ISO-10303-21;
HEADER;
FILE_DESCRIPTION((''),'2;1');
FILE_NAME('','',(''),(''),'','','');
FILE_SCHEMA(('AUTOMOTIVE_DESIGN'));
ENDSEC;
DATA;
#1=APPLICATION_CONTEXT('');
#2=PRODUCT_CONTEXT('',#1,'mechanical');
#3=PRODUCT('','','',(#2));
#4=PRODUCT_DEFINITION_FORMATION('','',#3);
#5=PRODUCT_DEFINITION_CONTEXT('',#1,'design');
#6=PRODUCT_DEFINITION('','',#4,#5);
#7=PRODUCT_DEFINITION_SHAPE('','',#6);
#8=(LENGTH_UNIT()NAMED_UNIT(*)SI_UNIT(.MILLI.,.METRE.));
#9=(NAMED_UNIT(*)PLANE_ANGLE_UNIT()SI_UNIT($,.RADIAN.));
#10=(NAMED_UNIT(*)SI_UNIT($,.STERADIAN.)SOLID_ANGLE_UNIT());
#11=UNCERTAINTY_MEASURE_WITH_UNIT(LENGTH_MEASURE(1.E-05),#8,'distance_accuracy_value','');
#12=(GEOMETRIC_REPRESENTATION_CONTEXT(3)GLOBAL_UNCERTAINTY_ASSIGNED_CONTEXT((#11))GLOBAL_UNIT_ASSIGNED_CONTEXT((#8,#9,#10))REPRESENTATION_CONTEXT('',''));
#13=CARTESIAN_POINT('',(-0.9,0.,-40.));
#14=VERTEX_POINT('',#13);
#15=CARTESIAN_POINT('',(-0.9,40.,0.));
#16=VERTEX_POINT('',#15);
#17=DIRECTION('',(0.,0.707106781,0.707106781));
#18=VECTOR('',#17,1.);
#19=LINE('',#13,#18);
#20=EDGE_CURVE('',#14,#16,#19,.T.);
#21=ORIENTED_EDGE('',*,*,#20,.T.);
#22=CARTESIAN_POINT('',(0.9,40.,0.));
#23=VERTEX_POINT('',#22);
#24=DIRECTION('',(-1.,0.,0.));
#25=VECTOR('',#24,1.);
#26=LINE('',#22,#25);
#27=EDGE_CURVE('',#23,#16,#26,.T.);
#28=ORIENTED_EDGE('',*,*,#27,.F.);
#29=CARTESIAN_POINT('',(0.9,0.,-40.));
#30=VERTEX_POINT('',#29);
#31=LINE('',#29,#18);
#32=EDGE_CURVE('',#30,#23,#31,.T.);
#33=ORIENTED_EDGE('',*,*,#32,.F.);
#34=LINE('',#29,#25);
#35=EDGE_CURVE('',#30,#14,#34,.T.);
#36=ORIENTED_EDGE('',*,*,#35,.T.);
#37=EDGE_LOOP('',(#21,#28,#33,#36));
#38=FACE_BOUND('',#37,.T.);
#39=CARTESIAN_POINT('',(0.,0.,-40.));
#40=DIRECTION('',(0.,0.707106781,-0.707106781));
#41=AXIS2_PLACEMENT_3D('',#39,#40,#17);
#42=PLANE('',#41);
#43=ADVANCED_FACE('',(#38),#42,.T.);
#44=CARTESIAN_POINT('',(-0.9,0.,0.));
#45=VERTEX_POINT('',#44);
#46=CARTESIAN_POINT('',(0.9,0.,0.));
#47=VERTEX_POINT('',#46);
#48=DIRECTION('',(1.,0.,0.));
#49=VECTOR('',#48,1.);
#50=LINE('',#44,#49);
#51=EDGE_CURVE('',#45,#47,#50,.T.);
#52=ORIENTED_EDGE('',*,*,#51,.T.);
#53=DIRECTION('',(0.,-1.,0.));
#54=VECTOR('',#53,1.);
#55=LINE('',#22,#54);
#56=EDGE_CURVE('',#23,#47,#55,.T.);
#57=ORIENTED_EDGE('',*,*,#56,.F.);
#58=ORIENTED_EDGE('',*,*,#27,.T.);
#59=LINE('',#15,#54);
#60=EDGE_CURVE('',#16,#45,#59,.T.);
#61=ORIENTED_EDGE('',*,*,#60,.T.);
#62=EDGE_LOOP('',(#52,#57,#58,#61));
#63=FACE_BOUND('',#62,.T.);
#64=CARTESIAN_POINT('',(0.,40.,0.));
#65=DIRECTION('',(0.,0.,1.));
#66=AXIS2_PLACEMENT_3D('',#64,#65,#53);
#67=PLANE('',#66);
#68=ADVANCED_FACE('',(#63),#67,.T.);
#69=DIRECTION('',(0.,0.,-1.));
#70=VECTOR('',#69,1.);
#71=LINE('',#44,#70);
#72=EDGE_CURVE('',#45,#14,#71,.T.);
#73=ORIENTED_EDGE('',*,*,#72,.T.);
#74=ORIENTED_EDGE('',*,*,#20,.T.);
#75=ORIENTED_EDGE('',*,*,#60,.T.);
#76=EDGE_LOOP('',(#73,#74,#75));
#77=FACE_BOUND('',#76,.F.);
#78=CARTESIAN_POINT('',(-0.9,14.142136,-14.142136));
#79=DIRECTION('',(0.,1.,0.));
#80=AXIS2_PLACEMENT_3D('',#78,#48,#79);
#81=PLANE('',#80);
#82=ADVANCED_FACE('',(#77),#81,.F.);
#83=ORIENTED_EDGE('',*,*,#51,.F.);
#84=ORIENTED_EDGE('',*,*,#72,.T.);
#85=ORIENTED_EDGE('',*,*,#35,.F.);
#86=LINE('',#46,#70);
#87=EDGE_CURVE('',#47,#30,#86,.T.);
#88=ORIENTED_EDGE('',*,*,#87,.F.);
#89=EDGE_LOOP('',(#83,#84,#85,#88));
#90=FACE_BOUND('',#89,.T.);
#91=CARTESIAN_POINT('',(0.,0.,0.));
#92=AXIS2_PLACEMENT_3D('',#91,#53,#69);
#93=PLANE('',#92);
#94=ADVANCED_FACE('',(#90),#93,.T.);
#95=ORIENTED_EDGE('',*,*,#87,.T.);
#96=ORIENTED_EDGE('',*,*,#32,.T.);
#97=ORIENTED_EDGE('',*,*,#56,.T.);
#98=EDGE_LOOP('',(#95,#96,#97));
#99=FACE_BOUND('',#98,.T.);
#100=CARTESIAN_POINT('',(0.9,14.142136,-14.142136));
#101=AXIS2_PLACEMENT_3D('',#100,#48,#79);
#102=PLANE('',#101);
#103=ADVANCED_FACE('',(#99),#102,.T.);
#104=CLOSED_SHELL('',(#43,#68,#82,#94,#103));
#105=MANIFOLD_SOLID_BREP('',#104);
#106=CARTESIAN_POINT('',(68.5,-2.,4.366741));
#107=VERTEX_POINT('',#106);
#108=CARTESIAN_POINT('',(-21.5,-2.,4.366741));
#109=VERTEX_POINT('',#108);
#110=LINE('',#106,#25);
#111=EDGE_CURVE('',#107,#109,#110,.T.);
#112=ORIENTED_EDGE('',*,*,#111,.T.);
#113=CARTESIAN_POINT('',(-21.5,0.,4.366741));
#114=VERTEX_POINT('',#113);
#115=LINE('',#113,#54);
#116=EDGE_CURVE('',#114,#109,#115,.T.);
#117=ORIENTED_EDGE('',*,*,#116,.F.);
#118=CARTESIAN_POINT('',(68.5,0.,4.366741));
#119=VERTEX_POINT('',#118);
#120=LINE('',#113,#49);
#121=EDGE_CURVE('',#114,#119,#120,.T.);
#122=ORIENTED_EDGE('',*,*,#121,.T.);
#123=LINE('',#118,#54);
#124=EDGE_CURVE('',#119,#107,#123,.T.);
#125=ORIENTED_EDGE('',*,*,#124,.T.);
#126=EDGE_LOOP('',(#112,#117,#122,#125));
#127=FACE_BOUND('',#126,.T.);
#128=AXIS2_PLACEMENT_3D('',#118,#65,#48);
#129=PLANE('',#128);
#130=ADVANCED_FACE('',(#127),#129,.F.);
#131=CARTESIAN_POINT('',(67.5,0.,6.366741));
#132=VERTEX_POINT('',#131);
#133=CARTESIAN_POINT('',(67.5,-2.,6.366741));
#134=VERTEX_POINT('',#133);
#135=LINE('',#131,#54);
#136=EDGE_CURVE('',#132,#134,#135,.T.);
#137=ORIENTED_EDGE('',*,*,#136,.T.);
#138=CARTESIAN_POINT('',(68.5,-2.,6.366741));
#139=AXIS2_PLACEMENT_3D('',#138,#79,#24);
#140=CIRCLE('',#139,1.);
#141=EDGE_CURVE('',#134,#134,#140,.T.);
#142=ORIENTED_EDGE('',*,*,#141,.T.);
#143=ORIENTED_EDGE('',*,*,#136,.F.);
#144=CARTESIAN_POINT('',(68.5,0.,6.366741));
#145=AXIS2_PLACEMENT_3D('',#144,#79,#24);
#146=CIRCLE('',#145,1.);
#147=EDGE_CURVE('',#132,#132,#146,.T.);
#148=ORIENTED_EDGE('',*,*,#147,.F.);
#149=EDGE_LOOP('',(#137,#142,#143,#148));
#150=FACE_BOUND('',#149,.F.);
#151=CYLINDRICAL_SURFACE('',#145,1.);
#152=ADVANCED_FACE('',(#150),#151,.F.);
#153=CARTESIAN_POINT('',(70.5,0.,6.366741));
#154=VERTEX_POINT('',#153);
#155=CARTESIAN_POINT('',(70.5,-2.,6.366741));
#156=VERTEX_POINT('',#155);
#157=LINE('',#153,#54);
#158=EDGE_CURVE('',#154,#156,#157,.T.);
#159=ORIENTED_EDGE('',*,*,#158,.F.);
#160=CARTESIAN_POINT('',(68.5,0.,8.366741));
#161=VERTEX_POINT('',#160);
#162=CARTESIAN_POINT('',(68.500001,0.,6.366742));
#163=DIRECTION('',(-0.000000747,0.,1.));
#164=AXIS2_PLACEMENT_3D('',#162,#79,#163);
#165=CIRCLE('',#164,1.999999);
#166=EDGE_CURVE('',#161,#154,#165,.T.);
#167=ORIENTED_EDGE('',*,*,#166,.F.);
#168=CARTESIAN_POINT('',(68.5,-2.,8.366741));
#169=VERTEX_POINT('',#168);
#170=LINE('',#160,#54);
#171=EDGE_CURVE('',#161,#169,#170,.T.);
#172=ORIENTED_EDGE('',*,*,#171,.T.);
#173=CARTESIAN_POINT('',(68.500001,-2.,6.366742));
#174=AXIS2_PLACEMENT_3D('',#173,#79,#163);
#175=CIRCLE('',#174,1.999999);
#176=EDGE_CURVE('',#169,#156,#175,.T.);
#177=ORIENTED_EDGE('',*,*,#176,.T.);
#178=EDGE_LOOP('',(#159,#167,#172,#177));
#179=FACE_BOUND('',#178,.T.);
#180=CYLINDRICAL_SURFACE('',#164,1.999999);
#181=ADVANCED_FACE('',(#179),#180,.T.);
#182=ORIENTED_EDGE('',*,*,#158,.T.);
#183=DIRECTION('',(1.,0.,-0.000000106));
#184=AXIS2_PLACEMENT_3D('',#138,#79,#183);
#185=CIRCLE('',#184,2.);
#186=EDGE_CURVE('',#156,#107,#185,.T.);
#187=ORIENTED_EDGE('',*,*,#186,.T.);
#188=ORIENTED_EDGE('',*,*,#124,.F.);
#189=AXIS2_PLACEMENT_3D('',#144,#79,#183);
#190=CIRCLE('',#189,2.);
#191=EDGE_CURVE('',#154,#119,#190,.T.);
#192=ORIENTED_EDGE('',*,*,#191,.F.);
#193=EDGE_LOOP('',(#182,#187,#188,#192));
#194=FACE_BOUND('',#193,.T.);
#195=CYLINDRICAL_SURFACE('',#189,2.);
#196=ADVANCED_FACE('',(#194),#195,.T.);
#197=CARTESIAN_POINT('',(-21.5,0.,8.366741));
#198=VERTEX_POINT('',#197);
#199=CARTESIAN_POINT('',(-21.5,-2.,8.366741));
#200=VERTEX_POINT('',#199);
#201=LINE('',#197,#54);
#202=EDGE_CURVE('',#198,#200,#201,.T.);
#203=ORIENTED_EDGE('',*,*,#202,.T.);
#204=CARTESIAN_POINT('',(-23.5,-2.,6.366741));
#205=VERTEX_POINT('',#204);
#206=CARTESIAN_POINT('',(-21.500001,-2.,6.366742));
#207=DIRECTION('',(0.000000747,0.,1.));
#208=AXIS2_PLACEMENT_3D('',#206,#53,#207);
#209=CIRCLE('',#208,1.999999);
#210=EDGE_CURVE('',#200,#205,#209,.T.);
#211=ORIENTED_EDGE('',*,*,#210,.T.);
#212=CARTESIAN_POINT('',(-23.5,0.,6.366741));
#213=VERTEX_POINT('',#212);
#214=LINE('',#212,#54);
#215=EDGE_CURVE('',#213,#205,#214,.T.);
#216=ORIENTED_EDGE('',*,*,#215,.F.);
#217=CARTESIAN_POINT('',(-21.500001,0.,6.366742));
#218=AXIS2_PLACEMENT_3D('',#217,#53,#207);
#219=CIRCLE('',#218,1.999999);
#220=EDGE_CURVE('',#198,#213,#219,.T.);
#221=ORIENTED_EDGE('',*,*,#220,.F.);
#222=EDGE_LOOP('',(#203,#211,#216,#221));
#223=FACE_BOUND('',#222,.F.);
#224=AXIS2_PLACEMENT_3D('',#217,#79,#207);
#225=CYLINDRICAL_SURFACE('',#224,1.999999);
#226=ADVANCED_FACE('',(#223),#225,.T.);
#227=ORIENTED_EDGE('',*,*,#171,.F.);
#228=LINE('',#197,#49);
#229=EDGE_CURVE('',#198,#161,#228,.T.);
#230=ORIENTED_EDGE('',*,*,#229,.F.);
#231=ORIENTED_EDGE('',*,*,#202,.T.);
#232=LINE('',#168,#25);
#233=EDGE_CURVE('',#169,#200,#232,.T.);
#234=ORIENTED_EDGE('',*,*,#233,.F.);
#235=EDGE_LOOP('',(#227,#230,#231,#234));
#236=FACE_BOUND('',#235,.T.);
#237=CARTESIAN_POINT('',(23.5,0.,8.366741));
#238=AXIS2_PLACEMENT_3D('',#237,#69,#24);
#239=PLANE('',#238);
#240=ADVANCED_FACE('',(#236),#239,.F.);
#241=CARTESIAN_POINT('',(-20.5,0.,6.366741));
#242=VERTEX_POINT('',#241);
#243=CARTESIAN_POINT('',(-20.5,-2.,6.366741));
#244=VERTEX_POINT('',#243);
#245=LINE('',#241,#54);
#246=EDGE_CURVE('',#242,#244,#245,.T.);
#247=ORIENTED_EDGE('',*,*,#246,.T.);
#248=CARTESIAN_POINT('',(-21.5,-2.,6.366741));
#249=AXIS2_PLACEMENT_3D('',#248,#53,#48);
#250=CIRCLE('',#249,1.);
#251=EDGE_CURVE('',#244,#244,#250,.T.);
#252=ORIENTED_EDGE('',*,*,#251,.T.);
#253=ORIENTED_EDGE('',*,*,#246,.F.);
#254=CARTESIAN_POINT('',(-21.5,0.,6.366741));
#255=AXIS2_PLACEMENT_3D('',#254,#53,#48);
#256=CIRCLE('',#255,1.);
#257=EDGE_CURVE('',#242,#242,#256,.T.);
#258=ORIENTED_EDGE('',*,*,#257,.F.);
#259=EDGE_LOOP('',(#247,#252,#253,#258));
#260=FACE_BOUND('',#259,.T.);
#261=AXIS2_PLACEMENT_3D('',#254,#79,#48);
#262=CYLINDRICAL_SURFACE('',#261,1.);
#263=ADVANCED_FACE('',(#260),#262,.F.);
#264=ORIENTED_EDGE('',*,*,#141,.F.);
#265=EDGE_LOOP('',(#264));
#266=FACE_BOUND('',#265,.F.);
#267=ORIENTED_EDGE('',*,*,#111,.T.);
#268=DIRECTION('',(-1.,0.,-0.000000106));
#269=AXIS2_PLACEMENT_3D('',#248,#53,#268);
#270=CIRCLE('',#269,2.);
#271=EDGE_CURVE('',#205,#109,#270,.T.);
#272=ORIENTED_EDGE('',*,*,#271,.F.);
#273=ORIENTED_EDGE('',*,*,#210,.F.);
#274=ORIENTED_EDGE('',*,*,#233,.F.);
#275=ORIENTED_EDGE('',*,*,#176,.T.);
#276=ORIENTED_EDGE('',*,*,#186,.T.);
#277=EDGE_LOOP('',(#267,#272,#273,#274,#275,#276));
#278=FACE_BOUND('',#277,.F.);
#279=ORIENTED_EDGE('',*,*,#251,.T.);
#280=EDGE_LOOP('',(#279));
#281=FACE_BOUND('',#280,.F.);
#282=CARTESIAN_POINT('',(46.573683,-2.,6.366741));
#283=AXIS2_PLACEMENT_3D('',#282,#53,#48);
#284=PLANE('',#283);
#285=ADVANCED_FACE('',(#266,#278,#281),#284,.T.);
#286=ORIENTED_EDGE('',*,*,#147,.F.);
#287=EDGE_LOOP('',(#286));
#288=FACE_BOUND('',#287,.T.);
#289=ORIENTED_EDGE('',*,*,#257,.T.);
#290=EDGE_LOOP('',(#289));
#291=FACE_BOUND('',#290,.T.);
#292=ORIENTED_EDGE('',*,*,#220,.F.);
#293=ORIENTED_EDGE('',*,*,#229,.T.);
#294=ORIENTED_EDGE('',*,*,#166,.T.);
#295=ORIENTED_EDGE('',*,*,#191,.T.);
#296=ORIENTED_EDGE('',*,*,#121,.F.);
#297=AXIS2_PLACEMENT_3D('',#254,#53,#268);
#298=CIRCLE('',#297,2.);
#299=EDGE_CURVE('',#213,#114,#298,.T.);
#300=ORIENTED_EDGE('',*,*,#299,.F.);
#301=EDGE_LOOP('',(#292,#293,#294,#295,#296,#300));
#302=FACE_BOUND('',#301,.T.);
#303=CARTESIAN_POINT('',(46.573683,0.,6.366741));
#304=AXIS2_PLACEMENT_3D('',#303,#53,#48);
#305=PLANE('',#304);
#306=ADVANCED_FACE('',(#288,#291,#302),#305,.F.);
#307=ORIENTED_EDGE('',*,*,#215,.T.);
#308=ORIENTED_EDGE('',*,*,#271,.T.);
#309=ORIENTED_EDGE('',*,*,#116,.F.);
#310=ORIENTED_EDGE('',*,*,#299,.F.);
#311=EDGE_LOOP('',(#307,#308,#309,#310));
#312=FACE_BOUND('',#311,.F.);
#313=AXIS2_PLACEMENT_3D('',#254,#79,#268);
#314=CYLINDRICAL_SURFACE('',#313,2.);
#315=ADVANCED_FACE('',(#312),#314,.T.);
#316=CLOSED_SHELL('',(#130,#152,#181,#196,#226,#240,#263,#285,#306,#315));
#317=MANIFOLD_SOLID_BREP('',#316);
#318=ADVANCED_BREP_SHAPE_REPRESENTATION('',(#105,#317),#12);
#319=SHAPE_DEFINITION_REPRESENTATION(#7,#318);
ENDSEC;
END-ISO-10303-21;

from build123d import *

# Parameters (mm, degrees)
F1_DEPTH = 0.9
F2_R     = 1
F3_DEPTH = 2


with BuildPart() as f1:
    # F0 (on Right) → F1 (new body, symmetric)
    with BuildSketch(Plane.YZ):
        Polygon((40, 0), (0, 0), (0, -40), align=None)
    extrude(amount=F1_DEPTH, both=True)


with BuildPart() as f3:
    # F2 (on Front) → F3 (new body)
    with BuildSketch(Plane.XZ):
        with BuildLine():
            Line((23.5, 4.366741), (23.5, 8.366741))
            Line((23.5, 8.366741), (-21.5, 8.366741))
            ThreePointArc((-21.5, 8.366741), (-22.914214, 7.780955), (-23.5, 6.366741))
            ThreePointArc((-23.5, 6.366741), (-22.914214, 4.952528), (-21.5, 4.366741))
            Line((-21.5, 4.366741), (23.5, 4.366741))
        make_face()
        with Locations((-21.5, 6.366741)):
            Circle(F2_R, mode=Mode.SUBTRACT)
    extrude(amount=F3_DEPTH)

    # F4: F3 across face


with BuildPart() as f3_1:
    add(f3.part)
    add(f3.part.mirror(Plane(origin=(23.5, -1, 6.366741), x_dir=(0, 1, 0), z_dir=(1, 0, 0))))


solid = Compound([f1.part, f3_1.part])
